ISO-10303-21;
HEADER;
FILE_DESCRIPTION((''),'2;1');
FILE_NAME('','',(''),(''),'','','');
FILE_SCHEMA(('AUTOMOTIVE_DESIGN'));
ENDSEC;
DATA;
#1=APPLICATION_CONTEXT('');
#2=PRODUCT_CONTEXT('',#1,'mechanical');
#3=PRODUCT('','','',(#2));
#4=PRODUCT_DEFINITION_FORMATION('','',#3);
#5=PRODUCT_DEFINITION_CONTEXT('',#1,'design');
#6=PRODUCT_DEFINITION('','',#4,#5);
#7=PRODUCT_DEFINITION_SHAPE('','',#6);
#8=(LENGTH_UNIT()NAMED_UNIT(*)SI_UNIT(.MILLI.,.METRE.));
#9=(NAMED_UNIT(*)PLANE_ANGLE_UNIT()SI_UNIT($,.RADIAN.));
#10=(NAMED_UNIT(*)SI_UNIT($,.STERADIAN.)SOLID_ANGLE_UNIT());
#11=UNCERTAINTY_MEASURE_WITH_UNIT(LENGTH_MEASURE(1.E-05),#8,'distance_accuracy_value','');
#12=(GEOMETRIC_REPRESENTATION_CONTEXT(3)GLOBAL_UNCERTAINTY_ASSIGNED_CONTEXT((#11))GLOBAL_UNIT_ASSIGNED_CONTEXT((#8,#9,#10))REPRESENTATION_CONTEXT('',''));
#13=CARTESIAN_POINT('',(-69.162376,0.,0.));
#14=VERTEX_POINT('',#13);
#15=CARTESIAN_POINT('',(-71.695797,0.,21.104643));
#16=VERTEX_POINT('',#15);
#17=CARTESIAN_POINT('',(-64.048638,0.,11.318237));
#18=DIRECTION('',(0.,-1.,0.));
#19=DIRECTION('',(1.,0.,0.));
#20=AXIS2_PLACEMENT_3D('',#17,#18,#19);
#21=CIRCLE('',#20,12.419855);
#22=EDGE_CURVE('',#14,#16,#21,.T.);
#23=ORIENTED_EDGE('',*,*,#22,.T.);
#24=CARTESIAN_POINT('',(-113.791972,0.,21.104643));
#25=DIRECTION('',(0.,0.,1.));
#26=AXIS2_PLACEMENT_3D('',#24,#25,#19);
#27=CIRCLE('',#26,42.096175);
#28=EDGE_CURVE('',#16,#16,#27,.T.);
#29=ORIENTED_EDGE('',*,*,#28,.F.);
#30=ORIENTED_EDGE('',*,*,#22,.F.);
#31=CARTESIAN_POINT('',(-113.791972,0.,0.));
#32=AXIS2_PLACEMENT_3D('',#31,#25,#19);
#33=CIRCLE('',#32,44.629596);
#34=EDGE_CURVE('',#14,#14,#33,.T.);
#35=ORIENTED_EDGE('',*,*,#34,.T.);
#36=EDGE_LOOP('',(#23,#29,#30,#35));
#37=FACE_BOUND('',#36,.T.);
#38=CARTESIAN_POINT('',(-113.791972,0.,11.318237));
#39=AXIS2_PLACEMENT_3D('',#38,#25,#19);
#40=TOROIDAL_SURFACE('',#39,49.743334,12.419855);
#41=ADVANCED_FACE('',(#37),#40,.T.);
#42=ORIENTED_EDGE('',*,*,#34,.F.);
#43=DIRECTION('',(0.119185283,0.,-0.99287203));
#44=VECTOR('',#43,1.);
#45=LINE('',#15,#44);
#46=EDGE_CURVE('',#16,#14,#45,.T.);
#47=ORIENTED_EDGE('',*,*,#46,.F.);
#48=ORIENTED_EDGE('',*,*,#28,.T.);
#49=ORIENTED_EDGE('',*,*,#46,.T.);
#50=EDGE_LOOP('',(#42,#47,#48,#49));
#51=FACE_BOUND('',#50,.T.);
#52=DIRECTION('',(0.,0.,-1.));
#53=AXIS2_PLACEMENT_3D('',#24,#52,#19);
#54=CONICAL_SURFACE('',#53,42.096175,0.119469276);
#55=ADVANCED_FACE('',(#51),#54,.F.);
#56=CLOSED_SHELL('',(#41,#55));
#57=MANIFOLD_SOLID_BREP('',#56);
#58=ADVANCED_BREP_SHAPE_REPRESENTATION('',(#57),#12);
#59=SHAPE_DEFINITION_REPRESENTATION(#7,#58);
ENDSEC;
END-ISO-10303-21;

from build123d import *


with BuildPart() as f2:
    # F2: sweep along a path in F0
    with BuildLine(Plane.XY) as f2_path:
        CenterArc((-113.791972, 0), 49.853955, 0, 360)
    # F1 (on Front) → F2 (sweep)
    with BuildSketch(Plane.XZ):
        with BuildLine():
            Line((-71.695797, 21.104643), (-69.162376, 0))
            ThreePointArc((-69.162376, 0), (-51.717311, 12.7985), (-71.695797, 21.104643))
        make_face()
    sweep(path=f2_path.line)


solid = f2.part
